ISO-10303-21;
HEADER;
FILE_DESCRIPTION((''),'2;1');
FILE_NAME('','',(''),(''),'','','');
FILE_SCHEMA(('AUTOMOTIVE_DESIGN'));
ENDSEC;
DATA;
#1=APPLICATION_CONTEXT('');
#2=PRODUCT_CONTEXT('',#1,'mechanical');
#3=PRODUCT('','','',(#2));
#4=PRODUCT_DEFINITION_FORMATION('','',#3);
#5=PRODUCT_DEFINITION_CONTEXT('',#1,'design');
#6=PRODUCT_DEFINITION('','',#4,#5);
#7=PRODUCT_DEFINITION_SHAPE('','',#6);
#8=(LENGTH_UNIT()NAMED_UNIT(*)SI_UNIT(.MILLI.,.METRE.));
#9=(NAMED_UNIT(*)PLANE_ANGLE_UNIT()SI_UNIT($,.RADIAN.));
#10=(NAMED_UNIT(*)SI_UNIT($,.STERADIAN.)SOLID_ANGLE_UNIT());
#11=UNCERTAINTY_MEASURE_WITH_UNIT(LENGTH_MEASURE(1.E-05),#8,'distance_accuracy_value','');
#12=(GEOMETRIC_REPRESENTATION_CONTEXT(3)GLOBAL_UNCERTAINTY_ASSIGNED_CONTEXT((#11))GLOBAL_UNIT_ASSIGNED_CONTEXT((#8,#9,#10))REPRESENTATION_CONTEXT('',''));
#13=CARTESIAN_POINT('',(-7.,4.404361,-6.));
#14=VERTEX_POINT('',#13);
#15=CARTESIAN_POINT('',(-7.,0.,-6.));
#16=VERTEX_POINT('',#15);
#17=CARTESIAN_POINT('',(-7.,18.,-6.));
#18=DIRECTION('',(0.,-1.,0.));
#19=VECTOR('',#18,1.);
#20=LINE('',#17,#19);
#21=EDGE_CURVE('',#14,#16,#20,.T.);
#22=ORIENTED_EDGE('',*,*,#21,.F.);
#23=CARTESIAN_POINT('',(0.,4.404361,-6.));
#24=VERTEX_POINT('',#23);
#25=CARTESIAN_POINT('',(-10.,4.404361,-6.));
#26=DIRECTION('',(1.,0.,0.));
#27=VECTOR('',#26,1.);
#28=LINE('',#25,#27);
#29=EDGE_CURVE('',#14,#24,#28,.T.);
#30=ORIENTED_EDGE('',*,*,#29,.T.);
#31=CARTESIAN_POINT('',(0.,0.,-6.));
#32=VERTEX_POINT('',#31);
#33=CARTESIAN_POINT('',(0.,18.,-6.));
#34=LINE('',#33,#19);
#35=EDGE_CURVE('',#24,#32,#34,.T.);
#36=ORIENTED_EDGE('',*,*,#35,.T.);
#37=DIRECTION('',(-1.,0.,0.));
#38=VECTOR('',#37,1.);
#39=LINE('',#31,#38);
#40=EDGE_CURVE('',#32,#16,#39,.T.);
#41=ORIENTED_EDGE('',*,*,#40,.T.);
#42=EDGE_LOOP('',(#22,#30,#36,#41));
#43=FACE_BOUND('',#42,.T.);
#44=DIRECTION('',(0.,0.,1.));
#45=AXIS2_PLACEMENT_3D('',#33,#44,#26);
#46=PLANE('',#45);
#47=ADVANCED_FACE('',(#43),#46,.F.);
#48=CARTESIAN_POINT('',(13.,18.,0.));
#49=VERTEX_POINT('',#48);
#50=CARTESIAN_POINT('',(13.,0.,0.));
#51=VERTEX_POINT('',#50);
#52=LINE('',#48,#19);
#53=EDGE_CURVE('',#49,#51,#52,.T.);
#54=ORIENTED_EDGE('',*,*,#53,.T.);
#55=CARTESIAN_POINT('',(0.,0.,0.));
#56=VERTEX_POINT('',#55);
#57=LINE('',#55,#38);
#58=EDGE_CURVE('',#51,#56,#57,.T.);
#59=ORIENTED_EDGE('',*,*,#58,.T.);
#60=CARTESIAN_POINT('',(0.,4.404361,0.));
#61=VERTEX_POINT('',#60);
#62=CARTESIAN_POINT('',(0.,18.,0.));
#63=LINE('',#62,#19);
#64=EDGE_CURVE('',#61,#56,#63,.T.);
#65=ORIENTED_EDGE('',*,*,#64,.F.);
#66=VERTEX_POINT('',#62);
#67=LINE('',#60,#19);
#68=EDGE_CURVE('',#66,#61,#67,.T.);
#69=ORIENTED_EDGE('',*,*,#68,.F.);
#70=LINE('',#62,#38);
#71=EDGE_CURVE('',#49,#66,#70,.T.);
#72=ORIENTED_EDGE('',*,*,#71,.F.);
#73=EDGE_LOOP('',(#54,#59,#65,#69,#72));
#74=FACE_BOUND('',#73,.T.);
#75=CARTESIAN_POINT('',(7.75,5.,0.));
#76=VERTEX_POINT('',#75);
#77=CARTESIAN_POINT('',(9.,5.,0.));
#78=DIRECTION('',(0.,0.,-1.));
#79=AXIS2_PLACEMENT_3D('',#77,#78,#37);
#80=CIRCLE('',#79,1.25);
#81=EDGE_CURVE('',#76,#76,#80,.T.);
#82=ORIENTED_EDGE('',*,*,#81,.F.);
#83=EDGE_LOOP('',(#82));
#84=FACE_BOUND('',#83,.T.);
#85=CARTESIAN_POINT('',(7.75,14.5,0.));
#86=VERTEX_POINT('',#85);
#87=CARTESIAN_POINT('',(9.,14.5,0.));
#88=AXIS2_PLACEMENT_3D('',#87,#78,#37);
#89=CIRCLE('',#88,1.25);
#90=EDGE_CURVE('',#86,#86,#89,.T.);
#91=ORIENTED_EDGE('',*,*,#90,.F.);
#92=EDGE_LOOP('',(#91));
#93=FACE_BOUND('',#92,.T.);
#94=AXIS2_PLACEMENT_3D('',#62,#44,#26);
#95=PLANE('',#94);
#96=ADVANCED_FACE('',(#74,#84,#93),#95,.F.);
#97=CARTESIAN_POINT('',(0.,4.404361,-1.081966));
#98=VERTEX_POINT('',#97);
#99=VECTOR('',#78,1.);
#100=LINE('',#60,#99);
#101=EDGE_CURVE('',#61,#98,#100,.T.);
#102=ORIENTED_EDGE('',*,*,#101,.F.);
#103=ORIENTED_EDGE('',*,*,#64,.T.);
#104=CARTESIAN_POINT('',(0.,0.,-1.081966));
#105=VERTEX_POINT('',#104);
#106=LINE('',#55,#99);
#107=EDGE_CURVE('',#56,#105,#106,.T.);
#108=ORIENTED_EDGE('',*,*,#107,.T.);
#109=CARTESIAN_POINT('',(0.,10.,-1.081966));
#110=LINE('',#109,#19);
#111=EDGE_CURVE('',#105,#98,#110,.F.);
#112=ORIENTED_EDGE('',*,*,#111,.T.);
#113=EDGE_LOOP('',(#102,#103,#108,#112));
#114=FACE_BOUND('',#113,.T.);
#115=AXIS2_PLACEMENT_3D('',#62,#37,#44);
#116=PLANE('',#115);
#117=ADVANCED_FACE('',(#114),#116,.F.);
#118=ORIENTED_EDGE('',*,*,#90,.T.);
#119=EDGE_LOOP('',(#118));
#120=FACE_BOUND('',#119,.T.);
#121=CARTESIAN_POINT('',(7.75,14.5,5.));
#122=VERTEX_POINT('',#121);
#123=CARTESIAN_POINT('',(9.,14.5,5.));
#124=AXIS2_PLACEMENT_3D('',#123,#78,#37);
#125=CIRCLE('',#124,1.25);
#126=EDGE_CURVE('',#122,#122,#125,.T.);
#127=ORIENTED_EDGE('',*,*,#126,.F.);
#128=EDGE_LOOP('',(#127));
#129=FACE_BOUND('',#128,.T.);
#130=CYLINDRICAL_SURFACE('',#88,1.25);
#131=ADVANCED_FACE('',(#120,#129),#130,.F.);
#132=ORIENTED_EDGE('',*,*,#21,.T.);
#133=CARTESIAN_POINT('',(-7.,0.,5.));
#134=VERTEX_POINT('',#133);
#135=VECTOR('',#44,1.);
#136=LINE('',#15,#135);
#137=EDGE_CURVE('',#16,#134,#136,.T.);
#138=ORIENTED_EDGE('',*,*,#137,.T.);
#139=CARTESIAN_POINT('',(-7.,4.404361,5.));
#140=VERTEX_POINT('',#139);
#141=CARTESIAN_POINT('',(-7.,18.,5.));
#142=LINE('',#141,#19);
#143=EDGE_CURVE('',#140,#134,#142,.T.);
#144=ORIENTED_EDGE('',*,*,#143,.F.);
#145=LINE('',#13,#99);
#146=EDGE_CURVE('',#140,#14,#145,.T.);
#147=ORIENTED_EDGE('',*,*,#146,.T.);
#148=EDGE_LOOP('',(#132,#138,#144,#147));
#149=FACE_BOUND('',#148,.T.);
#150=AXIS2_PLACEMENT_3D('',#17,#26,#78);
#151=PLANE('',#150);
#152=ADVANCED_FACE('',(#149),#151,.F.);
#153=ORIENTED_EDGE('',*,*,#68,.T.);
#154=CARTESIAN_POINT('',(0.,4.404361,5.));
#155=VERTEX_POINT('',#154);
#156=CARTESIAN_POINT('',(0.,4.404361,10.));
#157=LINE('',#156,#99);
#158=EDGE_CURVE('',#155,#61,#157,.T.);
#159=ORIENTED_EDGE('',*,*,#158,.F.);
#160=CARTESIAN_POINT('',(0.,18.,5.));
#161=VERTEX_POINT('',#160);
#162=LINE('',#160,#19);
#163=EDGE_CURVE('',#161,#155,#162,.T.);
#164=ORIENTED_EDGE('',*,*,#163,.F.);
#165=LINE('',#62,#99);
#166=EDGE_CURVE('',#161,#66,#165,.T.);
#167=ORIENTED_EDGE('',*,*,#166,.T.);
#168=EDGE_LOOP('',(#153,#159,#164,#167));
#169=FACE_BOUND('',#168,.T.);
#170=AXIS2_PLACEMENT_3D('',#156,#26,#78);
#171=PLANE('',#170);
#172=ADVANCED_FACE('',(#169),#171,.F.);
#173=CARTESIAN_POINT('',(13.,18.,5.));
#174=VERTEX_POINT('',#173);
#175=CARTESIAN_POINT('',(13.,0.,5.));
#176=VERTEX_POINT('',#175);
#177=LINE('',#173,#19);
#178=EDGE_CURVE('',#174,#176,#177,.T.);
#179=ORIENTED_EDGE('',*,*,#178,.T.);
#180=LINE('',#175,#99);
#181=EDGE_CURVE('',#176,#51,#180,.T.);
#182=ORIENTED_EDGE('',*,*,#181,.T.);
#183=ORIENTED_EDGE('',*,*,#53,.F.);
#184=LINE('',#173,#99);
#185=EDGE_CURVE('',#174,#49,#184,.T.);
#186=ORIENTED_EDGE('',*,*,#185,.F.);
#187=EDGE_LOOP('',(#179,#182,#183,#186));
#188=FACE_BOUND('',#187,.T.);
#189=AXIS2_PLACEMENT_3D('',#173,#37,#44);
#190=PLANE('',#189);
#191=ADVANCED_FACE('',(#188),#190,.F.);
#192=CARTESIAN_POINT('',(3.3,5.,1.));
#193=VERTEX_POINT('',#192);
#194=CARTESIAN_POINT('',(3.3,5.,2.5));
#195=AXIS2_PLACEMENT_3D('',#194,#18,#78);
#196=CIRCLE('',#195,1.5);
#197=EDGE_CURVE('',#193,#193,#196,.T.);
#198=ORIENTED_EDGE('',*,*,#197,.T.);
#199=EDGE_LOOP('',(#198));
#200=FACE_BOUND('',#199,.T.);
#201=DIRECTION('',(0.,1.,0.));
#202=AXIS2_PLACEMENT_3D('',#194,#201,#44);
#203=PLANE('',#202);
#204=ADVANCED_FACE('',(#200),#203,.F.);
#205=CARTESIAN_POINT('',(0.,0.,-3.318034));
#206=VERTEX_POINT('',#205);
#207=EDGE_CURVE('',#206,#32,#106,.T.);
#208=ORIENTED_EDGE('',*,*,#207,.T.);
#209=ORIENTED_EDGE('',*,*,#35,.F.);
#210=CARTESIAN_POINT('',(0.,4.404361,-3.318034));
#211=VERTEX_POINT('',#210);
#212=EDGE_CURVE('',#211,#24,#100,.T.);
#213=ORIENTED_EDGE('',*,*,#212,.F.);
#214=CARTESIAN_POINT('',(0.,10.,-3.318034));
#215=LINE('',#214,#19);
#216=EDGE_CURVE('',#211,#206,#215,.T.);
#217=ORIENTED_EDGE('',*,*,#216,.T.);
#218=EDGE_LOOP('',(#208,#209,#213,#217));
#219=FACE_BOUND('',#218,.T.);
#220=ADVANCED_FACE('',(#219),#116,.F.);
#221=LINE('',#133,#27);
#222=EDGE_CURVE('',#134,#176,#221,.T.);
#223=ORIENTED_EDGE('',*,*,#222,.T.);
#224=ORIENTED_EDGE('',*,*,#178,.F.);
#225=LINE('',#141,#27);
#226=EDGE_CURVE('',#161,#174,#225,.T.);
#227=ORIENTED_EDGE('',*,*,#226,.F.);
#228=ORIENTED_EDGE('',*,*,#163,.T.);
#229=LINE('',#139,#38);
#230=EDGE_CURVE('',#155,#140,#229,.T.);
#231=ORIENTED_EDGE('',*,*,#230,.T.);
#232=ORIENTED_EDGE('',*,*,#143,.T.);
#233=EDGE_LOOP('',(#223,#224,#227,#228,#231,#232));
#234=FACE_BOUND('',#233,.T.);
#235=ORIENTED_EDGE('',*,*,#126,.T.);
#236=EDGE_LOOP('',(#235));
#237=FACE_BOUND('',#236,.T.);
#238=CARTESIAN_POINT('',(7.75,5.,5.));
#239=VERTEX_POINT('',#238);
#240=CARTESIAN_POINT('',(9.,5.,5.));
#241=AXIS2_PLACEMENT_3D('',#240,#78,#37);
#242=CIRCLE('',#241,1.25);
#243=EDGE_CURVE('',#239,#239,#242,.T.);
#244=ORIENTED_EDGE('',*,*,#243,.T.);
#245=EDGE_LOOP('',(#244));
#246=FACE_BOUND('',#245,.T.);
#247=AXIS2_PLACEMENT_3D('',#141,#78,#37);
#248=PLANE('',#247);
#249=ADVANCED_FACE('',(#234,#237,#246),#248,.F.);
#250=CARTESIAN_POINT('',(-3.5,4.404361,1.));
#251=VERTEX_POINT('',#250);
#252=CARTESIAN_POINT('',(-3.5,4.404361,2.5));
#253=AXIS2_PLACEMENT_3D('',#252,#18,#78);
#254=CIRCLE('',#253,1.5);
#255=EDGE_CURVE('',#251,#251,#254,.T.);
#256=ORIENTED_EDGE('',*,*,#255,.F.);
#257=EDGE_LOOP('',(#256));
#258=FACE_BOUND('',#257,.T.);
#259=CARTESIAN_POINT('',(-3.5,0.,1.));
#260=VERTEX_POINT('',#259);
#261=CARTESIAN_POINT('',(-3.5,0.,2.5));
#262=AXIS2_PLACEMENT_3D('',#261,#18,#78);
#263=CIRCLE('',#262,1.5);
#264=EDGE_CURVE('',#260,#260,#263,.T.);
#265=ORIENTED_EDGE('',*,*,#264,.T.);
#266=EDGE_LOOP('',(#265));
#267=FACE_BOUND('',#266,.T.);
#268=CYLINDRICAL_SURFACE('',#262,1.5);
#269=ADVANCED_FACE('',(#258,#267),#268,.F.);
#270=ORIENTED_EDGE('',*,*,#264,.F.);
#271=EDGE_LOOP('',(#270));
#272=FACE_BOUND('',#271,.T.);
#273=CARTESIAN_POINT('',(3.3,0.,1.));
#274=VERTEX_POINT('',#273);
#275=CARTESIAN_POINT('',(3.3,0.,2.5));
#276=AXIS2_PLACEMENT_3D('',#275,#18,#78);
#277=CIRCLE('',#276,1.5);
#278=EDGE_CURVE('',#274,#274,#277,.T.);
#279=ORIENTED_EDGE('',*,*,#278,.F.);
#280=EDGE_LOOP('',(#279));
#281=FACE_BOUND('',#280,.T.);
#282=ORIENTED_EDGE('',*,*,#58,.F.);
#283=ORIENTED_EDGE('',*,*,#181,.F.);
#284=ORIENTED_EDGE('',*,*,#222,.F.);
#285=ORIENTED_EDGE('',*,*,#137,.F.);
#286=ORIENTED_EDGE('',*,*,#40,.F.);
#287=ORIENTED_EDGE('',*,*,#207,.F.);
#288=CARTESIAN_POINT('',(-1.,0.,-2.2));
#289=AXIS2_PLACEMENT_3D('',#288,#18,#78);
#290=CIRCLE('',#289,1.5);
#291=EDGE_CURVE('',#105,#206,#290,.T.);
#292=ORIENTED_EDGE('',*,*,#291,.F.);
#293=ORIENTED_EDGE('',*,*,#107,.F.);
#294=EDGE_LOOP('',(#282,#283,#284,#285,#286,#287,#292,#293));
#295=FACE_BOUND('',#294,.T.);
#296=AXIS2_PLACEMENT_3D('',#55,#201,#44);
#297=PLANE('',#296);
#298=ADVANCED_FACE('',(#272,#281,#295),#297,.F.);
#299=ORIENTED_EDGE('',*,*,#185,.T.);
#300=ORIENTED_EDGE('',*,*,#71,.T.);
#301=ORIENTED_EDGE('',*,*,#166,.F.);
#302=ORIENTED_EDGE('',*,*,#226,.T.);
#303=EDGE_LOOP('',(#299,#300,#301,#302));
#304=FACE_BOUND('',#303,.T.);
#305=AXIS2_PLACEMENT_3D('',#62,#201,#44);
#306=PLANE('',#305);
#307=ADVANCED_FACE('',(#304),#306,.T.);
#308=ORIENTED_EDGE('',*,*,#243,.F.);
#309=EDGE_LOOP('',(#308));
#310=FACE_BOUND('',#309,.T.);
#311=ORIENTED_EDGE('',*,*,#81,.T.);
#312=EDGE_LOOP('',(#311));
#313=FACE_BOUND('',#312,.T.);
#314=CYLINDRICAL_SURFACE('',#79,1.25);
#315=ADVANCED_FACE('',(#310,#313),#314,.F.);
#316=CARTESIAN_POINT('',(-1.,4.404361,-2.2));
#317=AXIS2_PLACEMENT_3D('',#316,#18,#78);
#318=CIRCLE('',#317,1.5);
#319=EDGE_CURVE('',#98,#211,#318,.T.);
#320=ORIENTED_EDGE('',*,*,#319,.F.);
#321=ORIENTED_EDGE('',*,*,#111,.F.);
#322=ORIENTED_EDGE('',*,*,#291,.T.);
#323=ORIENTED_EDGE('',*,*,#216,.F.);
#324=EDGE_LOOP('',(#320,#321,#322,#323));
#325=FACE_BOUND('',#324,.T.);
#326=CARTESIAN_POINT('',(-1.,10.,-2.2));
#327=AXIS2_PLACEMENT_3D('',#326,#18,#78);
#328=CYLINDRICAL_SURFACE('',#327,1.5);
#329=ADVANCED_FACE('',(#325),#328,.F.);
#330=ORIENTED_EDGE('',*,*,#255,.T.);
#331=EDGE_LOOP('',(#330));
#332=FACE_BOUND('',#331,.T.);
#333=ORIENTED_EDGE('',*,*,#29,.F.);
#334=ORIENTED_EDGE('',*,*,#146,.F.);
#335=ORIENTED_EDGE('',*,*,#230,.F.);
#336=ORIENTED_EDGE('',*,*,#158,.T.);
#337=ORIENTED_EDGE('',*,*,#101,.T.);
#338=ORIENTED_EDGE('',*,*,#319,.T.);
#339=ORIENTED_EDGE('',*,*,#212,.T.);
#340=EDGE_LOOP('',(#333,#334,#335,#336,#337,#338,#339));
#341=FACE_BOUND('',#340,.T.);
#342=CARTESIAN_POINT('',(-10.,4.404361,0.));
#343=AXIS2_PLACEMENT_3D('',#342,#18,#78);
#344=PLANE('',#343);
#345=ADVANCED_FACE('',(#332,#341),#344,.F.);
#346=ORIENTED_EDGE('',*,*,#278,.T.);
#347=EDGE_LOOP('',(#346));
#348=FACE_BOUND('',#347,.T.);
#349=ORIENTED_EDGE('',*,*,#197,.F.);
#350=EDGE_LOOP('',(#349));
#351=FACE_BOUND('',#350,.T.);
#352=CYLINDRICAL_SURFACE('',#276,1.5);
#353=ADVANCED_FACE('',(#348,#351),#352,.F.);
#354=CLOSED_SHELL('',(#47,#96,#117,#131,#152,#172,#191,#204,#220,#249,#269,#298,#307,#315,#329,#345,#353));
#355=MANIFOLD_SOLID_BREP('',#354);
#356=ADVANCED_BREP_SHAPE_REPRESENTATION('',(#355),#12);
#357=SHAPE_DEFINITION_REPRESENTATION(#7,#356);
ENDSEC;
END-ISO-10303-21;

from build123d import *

# Parameters (mm, degrees)
BOSS_EXTRUDE1_DEPTH             = 18
SKETCH2_W                       = 6
SKETCH2_H                       = 13.595638642
CUT_EXTRUDE1_DEPTH              = 10
SKETCH3_W                       = 7
SKETCH3_H                       = 13.595638642
CUT_EXTRUDE2_DEPTH              = 10
SKETCH4_R                       = 1.5
CUT_EXTRUDE3_DEPTH              = 10
TAP_DRILL_FOR_M3X0_5_TAP1_D     = 3
TAP_DRILL_FOR_M3X0_5_TAP1_DEPTH = 5
F_2_5_2_5_DIAMETER_HOLE1_D      = 2.5
F_2_5_2_5_DIAMETER_HOLE1_DEPTH  = 6.5


with BuildPart() as part:
    # Sketch1 → Boss-Extrude1 (new body)
    with BuildSketch(Plane(origin=(0, 0, 0), x_dir=(1, 0, 0), z_dir=(0, 1, 0))):
        Polygon((0, 0), (0, 6), (-7, 6), (-7, -5), (13, -5), (13, 0), align=None)
    extrude(amount=BOSS_EXTRUDE1_DEPTH)

    # Sketch2 → Cut-Extrude1 (cut)
    with BuildSketch(Plane(origin=(0, 0, 0), x_dir=(0, 0, -1), z_dir=(1, 0, 0))):
        with Locations((3, 11.202180679)):
            Rectangle(SKETCH2_W, SKETCH2_H)
    extrude(amount=-CUT_EXTRUDE1_DEPTH, mode=Mode.SUBTRACT)

    # Sketch3 → Cut-Extrude2 (cut)
    with BuildSketch(Plane(origin=(0, 0, 0), x_dir=(-1, 0, 0), z_dir=(0, 0, -1))):
        with Locations((3.5, 11.202180679)):
            Rectangle(SKETCH3_W, SKETCH3_H)
    extrude(amount=-CUT_EXTRUDE2_DEPTH, mode=Mode.SUBTRACT)

    # Sketch4 → Cut-Extrude3 (cut)
    with BuildSketch(Plane.XZ):
        with Locations((-1, -2.2)):
            Circle(SKETCH4_R)
    extrude(amount=-CUT_EXTRUDE3_DEPTH, mode=Mode.SUBTRACT)

    # Tap Drill for M3x0.5 Tap1
    with Locations(Plane(origin=(0, 0, 0), x_dir=(-1, 0, 0), z_dir=(0, -1, 0))):
        with Locations((-3.3, -2.5), (3.5, -2.5)):
            Hole(TAP_DRILL_FOR_M3X0_5_TAP1_D / 2, depth=TAP_DRILL_FOR_M3X0_5_TAP1_DEPTH)

    # Ø2.5 (2.5) Diameter Hole1
    with Locations(Plane(origin=(0, 0, 0), x_dir=(-1, 0, 0), z_dir=(0, 0, -1))):
        with Locations((-9, 14.5), (-9, 5)):
            Hole(F_2_5_2_5_DIAMETER_HOLE1_D / 2, depth=F_2_5_2_5_DIAMETER_HOLE1_DEPTH)


solid = part.part
